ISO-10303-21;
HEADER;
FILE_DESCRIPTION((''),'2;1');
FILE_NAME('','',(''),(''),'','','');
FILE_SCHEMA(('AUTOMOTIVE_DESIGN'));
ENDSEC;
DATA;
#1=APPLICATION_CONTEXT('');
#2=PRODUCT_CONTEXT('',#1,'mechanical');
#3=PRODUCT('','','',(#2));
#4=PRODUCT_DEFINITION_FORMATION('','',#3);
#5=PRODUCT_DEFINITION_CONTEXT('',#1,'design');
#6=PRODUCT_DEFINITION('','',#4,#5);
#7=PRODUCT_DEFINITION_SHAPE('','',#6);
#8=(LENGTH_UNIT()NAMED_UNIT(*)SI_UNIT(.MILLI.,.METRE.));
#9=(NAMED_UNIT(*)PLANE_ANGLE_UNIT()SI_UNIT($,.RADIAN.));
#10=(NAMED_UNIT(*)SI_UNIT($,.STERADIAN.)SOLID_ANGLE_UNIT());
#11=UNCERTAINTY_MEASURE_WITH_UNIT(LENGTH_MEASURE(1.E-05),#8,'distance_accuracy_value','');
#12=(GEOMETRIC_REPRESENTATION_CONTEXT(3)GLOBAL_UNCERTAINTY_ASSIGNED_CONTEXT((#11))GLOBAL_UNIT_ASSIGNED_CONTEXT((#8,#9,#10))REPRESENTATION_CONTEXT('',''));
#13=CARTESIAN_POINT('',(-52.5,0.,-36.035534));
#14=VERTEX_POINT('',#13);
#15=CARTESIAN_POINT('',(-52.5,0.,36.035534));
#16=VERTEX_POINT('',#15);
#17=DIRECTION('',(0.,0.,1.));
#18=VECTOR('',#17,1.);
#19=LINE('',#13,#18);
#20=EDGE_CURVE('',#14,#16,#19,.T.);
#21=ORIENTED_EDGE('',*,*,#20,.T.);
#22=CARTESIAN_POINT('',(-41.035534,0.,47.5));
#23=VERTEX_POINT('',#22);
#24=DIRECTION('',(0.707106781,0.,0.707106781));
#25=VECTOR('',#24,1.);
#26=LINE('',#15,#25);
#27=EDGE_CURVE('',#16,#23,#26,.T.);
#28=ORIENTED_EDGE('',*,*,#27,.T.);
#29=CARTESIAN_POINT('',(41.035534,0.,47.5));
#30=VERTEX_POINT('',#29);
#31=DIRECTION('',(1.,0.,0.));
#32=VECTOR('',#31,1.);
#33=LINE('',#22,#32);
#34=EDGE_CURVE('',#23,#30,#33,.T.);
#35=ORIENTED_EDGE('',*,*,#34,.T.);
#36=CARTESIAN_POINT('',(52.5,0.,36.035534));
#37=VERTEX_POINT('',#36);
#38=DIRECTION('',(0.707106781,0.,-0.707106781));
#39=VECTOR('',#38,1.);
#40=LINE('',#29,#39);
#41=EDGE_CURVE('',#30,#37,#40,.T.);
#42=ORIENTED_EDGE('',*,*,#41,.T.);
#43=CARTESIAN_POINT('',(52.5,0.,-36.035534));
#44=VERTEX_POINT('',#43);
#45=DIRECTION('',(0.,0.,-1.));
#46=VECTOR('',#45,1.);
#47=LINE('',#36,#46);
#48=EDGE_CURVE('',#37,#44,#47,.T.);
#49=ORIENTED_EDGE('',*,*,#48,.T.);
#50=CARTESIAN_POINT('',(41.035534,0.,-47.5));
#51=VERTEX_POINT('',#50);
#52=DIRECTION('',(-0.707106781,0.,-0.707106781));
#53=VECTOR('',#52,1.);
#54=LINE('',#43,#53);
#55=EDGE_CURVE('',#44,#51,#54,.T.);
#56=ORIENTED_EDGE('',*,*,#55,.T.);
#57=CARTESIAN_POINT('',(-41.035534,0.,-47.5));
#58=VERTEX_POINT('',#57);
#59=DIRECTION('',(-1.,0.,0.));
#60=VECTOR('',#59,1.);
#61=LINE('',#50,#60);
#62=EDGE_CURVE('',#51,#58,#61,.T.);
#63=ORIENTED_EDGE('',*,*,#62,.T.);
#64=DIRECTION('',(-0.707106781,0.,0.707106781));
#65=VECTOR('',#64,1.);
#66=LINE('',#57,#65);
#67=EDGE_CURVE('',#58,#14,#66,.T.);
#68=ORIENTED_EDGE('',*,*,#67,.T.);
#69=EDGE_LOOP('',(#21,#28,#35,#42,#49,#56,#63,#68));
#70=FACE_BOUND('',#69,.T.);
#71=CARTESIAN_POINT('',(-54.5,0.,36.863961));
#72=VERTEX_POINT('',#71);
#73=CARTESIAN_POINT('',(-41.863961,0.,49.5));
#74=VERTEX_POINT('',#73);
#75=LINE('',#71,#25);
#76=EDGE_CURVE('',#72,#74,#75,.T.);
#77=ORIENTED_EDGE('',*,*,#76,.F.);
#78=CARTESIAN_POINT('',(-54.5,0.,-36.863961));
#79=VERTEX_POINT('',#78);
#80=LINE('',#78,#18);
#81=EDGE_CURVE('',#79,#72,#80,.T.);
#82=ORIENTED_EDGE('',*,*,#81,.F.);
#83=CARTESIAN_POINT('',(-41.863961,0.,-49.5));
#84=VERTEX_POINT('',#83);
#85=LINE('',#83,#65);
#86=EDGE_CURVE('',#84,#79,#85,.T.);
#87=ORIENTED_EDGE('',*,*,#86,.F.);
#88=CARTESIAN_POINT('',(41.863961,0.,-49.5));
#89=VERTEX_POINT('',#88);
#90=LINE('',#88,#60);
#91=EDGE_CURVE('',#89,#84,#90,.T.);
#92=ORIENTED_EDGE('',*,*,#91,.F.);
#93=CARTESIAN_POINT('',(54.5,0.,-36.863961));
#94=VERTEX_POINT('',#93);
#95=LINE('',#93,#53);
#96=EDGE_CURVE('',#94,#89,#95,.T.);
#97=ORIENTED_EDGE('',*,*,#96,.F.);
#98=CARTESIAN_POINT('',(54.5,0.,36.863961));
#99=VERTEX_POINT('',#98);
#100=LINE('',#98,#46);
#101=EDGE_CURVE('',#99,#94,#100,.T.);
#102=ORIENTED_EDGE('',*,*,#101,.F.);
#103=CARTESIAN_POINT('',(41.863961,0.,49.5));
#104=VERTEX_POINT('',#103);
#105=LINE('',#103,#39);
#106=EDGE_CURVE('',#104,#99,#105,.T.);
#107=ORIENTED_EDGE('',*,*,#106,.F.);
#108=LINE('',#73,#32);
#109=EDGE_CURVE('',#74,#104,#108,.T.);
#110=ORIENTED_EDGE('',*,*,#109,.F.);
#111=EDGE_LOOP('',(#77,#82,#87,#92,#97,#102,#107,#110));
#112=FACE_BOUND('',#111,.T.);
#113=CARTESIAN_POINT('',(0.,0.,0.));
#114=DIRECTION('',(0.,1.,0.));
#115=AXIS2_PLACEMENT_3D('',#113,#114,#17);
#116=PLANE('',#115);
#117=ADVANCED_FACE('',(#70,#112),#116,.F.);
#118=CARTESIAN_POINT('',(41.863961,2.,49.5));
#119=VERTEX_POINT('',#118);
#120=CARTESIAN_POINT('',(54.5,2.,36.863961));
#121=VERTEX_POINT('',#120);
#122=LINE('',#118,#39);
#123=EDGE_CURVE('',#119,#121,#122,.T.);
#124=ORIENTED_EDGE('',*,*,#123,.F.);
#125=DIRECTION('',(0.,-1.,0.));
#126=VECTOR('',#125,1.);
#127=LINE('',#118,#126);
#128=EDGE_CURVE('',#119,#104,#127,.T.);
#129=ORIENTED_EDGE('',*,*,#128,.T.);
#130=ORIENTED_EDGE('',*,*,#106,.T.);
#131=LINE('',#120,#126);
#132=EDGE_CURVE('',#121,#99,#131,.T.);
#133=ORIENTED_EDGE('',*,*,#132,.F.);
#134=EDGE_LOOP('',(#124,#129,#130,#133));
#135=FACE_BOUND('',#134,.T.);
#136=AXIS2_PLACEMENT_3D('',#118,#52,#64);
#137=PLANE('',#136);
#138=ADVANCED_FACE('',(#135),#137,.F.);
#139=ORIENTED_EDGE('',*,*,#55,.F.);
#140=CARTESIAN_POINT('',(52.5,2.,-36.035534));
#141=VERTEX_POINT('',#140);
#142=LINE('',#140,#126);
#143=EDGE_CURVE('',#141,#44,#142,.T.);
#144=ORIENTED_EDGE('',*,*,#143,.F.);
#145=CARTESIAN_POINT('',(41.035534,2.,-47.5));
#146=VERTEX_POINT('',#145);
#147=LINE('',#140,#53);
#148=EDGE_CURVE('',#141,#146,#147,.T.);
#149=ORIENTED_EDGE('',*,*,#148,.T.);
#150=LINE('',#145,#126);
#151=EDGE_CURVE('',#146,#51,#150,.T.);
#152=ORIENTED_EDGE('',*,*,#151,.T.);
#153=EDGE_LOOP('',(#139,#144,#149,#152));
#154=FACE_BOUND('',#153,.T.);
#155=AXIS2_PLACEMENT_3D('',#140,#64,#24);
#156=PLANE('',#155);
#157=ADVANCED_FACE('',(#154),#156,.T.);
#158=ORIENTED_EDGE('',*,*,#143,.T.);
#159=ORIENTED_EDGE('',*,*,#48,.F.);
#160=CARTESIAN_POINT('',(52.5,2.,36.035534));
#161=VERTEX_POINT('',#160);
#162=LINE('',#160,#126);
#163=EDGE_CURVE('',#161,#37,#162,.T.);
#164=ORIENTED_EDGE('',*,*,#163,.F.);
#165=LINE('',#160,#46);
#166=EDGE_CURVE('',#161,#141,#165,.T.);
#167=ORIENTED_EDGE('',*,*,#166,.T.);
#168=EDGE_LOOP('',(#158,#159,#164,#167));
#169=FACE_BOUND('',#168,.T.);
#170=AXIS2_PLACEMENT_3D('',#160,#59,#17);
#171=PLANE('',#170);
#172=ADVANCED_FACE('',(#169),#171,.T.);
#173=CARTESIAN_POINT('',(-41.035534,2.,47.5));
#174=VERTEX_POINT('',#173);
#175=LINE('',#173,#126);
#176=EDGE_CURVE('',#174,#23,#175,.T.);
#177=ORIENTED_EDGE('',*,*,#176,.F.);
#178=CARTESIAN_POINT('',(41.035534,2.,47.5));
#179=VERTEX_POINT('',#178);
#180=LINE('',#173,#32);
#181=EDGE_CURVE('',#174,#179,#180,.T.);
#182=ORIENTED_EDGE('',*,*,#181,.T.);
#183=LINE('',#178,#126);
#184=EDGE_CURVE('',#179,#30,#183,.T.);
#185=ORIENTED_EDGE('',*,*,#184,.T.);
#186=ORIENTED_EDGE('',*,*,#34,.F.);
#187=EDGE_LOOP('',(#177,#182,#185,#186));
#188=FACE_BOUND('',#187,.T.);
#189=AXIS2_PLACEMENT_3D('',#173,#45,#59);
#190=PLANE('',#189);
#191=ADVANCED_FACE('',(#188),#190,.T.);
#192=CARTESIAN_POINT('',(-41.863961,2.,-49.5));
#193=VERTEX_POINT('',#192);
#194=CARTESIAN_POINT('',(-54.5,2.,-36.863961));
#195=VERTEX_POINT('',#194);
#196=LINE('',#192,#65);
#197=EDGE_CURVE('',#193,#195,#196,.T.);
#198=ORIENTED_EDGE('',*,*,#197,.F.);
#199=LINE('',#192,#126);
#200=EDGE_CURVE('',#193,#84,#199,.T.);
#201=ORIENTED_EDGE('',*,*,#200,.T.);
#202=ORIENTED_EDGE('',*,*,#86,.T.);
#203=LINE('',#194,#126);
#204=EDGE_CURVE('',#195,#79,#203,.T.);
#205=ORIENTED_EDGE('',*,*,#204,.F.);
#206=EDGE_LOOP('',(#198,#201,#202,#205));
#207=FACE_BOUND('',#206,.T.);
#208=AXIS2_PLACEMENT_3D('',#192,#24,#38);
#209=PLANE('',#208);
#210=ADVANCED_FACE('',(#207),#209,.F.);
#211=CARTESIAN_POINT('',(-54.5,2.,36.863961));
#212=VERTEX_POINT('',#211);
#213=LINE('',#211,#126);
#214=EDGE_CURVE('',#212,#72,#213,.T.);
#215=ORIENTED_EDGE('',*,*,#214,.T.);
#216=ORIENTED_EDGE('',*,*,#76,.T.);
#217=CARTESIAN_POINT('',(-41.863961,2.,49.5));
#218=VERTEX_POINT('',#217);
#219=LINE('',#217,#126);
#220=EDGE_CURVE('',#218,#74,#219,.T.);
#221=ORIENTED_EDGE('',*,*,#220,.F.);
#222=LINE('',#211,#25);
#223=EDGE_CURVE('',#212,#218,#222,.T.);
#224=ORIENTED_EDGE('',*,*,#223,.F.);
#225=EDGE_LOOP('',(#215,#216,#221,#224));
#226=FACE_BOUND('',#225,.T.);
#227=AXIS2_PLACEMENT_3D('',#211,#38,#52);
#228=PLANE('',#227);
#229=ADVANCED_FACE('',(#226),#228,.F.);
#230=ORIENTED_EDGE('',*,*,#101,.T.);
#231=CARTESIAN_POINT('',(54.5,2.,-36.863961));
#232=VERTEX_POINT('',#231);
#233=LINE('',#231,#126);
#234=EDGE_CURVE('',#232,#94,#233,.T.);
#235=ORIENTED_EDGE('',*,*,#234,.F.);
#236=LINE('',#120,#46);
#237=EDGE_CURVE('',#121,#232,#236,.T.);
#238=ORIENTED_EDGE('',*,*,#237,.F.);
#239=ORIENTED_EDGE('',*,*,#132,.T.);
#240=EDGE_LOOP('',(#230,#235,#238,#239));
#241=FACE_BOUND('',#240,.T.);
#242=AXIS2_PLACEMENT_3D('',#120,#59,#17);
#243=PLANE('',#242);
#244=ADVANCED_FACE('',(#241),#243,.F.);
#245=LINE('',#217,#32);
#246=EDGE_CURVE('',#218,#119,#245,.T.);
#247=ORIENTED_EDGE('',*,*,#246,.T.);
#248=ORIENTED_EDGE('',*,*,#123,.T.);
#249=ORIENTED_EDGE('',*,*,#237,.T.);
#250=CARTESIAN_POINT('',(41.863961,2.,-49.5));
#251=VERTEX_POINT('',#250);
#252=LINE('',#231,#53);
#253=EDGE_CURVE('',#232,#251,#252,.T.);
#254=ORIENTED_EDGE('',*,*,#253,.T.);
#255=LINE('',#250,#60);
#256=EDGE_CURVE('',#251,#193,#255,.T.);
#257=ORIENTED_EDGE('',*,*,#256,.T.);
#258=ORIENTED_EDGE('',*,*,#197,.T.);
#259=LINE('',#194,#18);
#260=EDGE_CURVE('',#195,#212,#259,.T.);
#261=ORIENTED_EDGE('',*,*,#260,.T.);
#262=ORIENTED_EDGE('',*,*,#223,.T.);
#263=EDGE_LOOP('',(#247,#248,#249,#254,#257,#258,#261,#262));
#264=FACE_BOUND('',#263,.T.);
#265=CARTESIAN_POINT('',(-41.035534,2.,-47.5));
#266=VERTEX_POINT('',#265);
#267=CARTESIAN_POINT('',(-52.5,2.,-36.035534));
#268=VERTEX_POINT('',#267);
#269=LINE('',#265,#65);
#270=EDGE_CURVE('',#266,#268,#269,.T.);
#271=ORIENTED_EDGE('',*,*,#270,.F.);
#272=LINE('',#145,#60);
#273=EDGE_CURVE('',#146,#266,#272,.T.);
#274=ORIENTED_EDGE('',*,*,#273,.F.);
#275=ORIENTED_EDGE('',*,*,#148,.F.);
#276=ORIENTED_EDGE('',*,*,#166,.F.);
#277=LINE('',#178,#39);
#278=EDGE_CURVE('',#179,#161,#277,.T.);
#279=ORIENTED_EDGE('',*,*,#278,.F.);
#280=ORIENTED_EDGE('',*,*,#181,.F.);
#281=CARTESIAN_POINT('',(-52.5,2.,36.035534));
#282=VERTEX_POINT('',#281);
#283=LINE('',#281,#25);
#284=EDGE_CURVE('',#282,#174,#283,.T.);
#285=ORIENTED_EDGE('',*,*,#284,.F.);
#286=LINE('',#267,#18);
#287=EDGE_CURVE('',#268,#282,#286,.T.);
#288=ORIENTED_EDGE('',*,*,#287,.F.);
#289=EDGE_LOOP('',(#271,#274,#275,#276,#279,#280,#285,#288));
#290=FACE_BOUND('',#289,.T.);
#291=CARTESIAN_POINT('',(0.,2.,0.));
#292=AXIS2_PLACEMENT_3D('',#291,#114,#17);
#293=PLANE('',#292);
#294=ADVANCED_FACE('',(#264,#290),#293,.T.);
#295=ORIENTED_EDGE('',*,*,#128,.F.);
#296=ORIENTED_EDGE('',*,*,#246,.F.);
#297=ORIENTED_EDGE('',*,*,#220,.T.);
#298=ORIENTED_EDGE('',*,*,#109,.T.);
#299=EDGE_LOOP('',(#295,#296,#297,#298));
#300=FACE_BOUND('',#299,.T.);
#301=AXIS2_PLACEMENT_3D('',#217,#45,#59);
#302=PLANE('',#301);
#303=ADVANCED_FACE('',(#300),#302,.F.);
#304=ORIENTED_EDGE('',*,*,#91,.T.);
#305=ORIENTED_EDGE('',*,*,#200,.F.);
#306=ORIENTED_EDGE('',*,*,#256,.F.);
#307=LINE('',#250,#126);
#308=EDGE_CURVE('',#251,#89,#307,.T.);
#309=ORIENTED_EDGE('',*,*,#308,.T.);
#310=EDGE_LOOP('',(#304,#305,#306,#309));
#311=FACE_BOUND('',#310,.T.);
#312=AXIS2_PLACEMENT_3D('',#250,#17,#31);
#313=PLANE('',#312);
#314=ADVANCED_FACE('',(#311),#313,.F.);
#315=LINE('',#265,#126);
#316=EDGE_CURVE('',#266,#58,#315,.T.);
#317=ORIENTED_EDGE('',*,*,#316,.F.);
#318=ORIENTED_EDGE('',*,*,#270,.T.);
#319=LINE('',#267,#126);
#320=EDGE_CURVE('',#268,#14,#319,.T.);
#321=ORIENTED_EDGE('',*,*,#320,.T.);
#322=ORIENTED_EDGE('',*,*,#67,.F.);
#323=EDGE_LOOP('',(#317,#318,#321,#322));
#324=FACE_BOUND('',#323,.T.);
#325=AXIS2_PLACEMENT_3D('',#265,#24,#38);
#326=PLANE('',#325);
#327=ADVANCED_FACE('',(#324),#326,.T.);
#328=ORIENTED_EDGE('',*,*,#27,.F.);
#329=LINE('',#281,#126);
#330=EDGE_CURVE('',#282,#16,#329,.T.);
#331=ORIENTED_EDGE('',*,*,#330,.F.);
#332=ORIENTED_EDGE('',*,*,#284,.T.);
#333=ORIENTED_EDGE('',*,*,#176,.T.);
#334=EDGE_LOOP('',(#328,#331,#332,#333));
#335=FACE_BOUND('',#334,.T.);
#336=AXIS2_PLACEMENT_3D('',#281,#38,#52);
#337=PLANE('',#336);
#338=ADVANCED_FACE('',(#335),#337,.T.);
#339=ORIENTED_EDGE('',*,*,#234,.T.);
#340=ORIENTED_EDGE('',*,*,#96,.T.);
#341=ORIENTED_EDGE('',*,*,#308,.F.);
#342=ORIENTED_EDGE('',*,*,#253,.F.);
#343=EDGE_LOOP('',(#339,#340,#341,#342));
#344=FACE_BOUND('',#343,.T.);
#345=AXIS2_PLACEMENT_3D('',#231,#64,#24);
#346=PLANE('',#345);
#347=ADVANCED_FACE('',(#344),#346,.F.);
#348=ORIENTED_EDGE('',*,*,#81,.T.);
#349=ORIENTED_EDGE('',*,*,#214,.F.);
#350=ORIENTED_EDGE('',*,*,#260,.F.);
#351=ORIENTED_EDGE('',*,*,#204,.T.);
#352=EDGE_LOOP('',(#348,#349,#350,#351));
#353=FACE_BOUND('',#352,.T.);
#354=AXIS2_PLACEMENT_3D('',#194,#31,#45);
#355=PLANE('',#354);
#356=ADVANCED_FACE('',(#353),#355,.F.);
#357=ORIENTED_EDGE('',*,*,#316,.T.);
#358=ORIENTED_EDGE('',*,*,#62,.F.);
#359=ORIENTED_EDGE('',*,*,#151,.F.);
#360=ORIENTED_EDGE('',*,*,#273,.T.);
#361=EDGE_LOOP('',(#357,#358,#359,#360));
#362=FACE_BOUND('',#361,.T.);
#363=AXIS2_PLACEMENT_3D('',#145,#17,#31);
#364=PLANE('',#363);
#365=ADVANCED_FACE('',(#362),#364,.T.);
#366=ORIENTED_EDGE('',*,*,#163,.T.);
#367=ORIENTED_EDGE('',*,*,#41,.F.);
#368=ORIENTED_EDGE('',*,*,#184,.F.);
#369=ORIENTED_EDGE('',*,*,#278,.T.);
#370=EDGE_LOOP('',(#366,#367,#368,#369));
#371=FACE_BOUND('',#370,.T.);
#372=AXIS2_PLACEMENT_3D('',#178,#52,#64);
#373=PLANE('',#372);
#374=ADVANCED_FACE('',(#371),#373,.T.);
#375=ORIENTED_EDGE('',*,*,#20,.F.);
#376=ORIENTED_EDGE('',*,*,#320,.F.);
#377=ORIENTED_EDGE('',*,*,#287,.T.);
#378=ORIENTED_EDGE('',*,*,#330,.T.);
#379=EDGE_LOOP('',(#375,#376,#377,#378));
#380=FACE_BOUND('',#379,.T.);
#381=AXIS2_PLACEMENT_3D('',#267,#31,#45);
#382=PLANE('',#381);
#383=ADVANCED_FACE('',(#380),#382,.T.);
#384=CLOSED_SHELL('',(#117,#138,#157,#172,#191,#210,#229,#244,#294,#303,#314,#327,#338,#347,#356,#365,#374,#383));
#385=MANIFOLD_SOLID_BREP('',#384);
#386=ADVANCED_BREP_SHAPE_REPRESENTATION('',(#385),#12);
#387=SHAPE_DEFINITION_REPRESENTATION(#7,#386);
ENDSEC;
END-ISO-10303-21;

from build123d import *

# Parameters (mm, degrees)
SEAL_DEPTH = 2


with BuildPart() as part:
    # Seal Sketch → Seal (new body)
    with BuildSketch(Plane(origin=(0, 0, 0), x_dir=(1, 0, 0), z_dir=(0, 1, 0))):
        Polygon((-41.863961031, 49.5), (-54.5, 36.863961031), (-54.5, -36.863961031), (-41.863961031, -49.5), (41.863961031, -49.5), (54.5, -36.863961031), (54.5, 36.863961031), (41.863961031, 49.5), align=None)
        Polygon((-41.035533906, 47.5), (-52.5, 36.035533906), (-52.5, -36.035533906), (-41.035533906, -47.5), (41.035533906, -47.5), (52.5, -36.035533906), (52.5, 36.035533906), (41.035533906, 47.5), align=None, mode=Mode.SUBTRACT)
    extrude(amount=SEAL_DEPTH)


solid = part.part
